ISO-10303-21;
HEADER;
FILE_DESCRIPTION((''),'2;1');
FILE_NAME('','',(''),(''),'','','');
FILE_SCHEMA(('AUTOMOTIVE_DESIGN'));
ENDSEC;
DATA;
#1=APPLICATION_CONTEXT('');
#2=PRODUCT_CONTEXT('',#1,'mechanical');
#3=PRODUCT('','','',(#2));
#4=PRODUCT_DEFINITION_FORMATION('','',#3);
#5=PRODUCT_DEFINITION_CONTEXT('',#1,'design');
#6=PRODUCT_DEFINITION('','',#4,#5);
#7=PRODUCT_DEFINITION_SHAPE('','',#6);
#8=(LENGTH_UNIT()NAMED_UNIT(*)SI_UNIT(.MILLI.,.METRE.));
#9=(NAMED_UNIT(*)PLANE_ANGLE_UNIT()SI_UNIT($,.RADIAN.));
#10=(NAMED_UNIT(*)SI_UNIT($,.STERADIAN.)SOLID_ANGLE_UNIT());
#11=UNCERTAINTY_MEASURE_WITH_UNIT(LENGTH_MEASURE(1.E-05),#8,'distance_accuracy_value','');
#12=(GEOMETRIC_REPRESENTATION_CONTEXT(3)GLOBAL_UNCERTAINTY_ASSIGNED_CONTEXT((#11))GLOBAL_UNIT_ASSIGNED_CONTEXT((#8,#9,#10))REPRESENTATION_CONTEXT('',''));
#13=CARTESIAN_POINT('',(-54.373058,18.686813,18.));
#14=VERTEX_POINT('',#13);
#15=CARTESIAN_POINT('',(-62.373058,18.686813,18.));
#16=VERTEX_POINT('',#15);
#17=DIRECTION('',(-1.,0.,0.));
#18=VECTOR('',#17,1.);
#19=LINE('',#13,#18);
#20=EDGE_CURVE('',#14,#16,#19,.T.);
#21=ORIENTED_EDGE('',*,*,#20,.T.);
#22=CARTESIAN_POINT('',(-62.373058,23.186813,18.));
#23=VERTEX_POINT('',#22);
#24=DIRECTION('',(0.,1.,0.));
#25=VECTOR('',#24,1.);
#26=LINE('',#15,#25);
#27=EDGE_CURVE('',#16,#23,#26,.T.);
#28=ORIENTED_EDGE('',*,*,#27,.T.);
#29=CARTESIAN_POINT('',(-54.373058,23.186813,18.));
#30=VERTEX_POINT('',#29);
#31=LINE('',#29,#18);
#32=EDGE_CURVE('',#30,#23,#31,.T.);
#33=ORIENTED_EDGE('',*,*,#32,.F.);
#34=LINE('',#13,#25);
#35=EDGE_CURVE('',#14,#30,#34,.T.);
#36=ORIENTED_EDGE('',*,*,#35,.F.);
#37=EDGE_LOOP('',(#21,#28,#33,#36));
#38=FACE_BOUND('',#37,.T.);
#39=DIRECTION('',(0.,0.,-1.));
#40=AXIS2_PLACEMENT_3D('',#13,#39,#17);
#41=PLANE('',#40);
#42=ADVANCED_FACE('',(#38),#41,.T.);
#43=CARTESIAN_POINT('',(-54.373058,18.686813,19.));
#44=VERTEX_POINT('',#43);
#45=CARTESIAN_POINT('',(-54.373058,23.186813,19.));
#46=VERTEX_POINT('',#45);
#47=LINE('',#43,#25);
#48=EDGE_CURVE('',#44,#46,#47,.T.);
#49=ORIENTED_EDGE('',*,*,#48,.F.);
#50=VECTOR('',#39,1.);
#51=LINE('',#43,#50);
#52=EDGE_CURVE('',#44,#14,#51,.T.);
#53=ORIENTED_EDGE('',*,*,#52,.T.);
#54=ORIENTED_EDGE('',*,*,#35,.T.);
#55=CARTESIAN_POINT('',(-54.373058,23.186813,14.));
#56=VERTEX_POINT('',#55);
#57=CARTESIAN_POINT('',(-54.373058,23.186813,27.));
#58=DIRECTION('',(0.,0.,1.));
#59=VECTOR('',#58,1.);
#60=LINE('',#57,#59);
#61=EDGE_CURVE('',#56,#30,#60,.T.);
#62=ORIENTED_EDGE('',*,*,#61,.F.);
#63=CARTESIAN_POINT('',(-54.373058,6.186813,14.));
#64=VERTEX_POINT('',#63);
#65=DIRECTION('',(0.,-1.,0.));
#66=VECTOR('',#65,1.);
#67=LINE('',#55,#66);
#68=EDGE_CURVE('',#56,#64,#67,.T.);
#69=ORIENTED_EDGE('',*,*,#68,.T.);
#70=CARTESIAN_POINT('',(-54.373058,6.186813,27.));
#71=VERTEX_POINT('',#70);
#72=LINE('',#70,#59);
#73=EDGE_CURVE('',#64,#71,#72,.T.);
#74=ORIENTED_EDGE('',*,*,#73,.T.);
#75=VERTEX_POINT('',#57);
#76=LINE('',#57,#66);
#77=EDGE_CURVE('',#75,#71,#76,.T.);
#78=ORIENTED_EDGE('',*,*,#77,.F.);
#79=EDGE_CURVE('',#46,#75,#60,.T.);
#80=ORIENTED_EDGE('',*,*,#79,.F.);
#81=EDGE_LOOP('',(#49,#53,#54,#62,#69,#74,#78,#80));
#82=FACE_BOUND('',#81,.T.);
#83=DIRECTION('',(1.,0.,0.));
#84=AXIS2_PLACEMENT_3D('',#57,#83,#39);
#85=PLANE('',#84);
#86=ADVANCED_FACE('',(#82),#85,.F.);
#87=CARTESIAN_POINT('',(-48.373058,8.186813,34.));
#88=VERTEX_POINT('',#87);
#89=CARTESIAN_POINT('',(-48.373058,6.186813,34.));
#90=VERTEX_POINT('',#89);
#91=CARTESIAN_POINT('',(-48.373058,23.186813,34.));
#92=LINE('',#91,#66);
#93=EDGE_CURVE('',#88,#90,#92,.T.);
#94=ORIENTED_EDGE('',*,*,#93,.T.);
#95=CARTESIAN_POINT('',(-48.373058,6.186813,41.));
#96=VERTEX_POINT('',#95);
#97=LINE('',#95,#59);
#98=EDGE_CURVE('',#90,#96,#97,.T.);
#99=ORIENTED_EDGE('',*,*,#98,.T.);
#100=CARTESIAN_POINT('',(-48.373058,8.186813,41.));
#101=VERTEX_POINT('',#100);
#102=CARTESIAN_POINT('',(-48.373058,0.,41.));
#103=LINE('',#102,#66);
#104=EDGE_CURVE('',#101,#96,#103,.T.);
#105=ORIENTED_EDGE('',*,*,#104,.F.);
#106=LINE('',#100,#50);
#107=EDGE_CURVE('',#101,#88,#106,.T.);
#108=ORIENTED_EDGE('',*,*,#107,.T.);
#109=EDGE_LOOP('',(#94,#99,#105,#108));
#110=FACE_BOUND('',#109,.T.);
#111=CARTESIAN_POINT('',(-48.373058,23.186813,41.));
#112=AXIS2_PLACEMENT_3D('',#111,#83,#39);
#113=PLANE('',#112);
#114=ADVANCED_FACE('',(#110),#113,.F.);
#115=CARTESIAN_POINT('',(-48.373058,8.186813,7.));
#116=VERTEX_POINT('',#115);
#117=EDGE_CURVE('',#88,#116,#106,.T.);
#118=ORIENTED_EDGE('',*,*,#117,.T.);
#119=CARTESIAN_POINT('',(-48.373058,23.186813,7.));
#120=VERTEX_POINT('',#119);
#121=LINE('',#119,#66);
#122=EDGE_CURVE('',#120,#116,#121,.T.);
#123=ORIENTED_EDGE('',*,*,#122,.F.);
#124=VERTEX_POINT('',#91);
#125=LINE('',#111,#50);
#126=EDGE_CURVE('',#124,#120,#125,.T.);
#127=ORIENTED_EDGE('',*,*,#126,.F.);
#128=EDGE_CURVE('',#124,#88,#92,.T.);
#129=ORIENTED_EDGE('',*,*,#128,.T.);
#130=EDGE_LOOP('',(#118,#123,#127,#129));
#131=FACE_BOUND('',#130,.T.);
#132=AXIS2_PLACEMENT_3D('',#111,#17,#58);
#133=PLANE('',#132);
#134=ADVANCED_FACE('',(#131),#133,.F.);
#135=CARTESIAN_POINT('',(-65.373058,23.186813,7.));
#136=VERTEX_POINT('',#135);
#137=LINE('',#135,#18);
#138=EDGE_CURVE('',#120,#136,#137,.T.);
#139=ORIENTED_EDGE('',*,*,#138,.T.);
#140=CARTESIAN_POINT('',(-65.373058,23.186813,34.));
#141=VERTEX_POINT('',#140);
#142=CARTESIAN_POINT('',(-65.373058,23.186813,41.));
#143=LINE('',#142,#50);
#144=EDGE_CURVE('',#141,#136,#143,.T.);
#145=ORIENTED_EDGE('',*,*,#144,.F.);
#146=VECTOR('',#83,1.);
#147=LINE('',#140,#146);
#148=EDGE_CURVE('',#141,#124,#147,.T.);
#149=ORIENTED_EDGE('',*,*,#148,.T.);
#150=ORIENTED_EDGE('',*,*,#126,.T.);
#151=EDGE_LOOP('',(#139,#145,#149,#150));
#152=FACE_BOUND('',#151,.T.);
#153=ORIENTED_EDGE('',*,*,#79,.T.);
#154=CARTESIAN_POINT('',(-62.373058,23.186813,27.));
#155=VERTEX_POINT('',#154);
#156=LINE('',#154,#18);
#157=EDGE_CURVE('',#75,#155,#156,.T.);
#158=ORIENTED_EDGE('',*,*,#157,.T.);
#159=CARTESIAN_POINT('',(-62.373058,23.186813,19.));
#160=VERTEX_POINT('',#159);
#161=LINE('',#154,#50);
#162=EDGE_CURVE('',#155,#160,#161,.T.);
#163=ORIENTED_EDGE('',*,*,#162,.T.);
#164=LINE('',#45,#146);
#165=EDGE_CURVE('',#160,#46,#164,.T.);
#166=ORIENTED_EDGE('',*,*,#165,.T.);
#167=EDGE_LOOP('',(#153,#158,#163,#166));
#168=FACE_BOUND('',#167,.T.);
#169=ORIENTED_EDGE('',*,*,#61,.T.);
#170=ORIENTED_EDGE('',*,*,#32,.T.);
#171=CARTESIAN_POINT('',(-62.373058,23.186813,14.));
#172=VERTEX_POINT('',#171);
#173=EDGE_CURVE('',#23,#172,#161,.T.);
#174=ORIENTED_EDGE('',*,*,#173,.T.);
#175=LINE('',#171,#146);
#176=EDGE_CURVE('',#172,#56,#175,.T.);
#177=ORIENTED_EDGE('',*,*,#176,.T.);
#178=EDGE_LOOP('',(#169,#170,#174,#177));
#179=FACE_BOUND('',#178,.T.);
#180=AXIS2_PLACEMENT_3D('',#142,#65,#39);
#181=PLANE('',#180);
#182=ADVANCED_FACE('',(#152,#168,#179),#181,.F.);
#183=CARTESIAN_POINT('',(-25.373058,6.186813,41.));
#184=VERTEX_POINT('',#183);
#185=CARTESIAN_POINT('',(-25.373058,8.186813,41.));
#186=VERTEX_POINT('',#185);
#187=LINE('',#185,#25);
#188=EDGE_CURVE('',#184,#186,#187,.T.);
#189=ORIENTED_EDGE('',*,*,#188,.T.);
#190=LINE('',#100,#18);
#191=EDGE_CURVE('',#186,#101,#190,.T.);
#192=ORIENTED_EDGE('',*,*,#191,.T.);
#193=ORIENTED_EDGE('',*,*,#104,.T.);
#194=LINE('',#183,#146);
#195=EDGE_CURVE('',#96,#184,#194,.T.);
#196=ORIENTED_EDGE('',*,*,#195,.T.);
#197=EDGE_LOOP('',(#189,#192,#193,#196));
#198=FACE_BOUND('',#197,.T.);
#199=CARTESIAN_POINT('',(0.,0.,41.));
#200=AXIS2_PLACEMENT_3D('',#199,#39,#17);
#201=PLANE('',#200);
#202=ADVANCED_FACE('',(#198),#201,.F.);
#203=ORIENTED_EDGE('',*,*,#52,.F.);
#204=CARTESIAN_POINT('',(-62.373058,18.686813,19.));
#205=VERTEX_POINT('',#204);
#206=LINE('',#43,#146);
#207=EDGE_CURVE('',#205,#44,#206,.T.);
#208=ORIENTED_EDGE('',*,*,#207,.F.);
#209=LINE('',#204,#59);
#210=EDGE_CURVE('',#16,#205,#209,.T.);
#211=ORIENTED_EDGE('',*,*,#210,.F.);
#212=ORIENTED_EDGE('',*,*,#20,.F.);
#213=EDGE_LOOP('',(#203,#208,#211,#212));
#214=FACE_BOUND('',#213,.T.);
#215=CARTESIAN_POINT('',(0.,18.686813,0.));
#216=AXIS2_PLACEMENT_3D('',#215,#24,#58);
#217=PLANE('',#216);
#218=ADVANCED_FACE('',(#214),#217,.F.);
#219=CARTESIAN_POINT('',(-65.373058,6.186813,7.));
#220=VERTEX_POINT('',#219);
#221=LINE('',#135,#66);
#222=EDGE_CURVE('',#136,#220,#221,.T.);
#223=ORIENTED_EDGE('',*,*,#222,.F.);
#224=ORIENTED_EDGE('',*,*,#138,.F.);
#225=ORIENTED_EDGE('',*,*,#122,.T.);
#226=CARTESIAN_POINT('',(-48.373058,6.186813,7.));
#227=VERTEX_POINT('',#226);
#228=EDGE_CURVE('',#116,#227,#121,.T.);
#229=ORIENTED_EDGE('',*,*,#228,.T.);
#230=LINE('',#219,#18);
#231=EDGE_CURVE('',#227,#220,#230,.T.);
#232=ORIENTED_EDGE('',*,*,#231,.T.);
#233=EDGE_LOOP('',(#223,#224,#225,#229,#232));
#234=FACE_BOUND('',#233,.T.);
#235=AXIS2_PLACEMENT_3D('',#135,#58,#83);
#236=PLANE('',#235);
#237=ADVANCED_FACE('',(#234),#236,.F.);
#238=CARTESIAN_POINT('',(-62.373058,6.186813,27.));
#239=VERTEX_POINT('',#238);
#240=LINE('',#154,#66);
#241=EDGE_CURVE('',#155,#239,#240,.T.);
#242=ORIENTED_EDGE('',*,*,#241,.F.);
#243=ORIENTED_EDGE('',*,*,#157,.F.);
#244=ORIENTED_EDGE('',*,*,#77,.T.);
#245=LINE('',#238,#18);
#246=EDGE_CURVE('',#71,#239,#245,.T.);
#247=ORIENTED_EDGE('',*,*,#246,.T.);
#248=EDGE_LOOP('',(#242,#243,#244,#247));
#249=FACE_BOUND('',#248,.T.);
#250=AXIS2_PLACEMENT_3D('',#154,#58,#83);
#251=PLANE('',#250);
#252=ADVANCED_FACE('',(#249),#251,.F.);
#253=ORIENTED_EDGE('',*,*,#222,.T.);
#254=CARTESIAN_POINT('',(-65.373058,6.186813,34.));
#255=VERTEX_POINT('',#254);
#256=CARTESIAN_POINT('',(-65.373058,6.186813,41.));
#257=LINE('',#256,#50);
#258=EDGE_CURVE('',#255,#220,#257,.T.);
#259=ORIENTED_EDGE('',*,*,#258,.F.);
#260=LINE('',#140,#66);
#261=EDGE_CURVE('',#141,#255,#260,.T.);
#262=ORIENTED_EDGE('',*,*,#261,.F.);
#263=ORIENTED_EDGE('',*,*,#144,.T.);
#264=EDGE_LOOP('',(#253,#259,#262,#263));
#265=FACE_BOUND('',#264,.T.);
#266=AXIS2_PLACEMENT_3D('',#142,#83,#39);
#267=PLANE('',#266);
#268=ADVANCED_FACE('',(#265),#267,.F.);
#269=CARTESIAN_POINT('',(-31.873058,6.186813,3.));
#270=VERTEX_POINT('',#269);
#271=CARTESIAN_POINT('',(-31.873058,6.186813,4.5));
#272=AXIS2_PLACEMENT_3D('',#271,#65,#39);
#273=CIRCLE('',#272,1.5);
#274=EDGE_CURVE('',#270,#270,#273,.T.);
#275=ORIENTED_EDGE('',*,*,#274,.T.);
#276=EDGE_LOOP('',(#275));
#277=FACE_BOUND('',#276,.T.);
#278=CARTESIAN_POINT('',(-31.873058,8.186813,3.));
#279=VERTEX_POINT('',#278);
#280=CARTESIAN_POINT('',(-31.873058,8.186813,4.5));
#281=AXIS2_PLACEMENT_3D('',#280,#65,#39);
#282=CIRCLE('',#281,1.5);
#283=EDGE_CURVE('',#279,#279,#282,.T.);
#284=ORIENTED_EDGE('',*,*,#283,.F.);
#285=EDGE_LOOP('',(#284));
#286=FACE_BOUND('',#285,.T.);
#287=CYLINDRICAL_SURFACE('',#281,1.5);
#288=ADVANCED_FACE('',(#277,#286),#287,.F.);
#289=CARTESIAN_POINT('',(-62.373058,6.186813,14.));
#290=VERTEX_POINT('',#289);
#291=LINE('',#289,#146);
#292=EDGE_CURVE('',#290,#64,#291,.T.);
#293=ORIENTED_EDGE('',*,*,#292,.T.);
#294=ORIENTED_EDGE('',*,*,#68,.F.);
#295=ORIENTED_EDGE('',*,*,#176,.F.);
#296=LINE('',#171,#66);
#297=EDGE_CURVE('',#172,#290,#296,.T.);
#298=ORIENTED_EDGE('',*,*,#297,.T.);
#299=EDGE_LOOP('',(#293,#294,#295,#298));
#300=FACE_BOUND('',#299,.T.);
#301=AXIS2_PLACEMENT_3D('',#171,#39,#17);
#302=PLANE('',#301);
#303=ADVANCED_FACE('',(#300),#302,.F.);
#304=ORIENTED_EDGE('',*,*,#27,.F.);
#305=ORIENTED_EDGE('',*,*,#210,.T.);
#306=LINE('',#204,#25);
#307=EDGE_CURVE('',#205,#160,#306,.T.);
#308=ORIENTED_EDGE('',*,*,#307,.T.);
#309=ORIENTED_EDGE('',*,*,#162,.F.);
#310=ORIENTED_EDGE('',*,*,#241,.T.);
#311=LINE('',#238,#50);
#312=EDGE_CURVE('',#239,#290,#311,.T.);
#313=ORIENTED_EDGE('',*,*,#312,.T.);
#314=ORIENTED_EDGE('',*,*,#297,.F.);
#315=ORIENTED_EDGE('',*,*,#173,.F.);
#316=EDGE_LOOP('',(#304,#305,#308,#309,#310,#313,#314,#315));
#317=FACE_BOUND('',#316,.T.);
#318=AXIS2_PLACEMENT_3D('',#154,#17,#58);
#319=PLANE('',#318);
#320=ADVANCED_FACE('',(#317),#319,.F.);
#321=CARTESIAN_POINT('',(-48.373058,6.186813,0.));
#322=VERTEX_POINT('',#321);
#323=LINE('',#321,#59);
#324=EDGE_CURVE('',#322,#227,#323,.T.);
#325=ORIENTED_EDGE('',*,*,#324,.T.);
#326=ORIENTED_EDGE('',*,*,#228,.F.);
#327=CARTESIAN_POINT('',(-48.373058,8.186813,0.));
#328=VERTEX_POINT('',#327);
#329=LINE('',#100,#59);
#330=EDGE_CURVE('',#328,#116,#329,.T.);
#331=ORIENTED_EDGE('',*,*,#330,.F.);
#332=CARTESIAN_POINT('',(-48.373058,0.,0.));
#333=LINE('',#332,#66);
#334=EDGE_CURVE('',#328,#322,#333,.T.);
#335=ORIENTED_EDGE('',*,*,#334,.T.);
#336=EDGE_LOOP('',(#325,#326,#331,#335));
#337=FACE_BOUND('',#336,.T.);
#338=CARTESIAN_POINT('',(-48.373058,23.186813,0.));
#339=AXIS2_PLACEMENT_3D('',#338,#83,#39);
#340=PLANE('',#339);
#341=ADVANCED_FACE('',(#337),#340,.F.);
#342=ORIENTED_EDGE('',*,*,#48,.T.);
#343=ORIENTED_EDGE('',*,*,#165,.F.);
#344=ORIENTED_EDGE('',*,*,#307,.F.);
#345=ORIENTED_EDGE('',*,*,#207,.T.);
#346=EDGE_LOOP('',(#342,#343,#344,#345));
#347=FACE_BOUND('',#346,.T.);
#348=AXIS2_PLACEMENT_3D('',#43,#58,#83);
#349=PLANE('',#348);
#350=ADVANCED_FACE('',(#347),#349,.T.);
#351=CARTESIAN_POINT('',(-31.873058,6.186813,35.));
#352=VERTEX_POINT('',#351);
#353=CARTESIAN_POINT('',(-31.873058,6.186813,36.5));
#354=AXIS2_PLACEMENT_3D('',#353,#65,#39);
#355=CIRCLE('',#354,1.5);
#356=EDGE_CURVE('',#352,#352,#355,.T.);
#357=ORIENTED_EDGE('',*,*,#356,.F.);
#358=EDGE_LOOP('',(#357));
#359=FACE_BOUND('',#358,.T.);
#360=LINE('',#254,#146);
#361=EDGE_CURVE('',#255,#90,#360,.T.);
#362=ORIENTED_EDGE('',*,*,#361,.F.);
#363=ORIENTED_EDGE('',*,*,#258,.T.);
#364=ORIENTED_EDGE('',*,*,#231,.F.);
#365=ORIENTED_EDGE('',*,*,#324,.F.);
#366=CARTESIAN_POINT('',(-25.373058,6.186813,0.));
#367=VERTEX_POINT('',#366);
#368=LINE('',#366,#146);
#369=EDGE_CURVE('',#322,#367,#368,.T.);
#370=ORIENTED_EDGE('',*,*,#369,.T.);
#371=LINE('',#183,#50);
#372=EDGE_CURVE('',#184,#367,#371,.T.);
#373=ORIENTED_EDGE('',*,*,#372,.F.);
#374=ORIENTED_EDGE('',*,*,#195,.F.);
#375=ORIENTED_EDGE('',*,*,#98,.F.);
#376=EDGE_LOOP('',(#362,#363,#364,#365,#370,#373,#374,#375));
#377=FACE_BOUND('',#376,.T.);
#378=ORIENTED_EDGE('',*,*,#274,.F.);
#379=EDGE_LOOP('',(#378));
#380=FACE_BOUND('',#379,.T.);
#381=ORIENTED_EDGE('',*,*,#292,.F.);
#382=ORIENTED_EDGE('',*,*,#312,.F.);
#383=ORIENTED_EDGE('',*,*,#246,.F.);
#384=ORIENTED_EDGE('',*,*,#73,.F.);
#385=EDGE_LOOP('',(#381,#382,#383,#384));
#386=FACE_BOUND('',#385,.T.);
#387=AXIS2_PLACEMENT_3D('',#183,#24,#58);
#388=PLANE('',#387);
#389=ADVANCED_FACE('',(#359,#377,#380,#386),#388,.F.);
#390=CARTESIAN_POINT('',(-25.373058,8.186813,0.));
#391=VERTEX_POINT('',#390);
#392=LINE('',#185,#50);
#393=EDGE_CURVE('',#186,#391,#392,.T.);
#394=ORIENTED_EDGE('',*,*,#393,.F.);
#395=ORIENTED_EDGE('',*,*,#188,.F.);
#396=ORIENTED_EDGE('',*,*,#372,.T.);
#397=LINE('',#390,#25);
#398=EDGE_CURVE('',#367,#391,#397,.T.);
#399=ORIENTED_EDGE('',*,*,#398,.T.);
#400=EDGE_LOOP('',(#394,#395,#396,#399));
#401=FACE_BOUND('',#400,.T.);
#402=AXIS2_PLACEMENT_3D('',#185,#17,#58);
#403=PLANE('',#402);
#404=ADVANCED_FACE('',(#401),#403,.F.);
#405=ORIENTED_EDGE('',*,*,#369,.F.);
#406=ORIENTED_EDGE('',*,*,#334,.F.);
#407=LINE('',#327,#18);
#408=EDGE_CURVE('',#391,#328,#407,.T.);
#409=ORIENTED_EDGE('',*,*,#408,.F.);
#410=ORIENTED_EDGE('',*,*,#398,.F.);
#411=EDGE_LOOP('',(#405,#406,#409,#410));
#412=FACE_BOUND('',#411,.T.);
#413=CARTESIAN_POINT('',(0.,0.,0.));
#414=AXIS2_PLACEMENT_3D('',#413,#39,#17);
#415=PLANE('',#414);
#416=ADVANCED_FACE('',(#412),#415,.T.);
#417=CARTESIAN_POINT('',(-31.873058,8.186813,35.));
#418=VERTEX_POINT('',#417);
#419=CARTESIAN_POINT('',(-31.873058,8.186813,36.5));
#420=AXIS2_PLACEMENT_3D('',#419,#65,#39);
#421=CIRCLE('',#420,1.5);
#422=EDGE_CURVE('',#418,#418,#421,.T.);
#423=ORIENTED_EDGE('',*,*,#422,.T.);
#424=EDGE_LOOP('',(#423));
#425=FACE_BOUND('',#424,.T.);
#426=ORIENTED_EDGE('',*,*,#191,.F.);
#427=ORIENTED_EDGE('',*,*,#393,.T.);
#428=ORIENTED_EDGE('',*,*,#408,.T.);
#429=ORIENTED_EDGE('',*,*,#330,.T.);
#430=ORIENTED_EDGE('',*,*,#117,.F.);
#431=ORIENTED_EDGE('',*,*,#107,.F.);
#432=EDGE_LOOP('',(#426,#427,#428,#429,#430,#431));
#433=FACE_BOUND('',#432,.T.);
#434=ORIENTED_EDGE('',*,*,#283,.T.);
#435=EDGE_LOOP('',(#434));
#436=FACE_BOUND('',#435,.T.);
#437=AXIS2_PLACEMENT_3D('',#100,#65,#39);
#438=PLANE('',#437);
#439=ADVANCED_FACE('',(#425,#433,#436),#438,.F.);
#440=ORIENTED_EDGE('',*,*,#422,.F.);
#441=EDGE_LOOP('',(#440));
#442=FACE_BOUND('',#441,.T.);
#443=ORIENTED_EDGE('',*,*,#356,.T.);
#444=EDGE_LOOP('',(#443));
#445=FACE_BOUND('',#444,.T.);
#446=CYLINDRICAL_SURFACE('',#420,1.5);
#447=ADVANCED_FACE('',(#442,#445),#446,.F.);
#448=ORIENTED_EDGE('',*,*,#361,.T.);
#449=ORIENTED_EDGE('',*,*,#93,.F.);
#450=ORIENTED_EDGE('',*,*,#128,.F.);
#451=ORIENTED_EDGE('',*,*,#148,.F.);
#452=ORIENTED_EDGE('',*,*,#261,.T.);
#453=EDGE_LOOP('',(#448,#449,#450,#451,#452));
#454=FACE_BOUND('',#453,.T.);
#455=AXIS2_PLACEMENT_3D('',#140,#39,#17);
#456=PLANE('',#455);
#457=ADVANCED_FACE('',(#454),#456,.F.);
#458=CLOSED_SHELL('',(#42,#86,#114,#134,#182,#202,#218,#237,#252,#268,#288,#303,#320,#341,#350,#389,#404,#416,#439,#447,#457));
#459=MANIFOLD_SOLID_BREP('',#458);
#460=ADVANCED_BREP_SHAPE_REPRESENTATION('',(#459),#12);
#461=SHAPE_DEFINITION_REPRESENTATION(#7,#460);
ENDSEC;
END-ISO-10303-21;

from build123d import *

# Parameters (mm, degrees)
SALIENTE_EXTRUIR1_DEPTH = 41
CROQUIS2_R              = 1.5
CORTAR_EXTRUIR1_DEPTH   = 2
CORTAR_EXTRUIR2_START   = -17
CROQUIS3_W              = 8
CROQUIS3_H              = 13
CROQUIS3_W_2            = 17
CROQUIS3_H_2            = 7
CORTAR_EXTRUIR2_DEPTH   = 17
CROQUIS4_W              = 8
CROQUIS4_H              = 1
SALIENTE_EXTRUIR2_DEPTH = 4.5


with BuildPart() as part:
    # Croquis1 → Saliente-Extruir1 (new body)
    with BuildSketch(Plane.XY):
        Polygon((-65.37305766, 23.186813187), (-48.37305766, 23.186813187), (-48.37305766, 8.186813187), (-25.37305766, 8.186813187), (-25.37305766, 6.186813187), (-65.37305766, 6.186813187), align=None)
    extrude(amount=SALIENTE_EXTRUIR1_DEPTH)

    # Croquis2 → Cortar-Extruir1 (cut)
    with BuildSketch(Plane.XZ.offset(-6.186813187)):
        with Locations((-31.87305766, 36.5)):
            Circle(CROQUIS2_R)
        with Locations((-31.87305766, 4.5)):
            Circle(CROQUIS2_R)
    extrude(amount=-CORTAR_EXTRUIR1_DEPTH, mode=Mode.SUBTRACT)

    # Croquis3 → Cortar-Extruir2 (cut)
    with BuildSketch(Plane.XZ.offset(-6.186813187).offset(CORTAR_EXTRUIR2_START)):
        with Locations((-58.37305766, 20.5)):
            Rectangle(CROQUIS3_W, CROQUIS3_H)
        with Locations((-56.87305766, 37.5)):
            Rectangle(CROQUIS3_W_2, CROQUIS3_H_2)
        with Locations((-56.87305766, 3.5)):
            Rectangle(CROQUIS3_W_2, CROQUIS3_H_2)
    extrude(amount=CORTAR_EXTRUIR2_DEPTH, mode=Mode.SUBTRACT)

    # Croquis4 → Saliente-Extruir2 (add)
    with BuildSketch(Plane(origin=(0, 23.186813187, 0), x_dir=(1, 0, 0), z_dir=(0, 1, 0))):
        with Locations((-58.37305766, -18.5)):
            Rectangle(CROQUIS4_W, CROQUIS4_H)
    extrude(amount=-SALIENTE_EXTRUIR2_DEPTH)


solid = part.part
